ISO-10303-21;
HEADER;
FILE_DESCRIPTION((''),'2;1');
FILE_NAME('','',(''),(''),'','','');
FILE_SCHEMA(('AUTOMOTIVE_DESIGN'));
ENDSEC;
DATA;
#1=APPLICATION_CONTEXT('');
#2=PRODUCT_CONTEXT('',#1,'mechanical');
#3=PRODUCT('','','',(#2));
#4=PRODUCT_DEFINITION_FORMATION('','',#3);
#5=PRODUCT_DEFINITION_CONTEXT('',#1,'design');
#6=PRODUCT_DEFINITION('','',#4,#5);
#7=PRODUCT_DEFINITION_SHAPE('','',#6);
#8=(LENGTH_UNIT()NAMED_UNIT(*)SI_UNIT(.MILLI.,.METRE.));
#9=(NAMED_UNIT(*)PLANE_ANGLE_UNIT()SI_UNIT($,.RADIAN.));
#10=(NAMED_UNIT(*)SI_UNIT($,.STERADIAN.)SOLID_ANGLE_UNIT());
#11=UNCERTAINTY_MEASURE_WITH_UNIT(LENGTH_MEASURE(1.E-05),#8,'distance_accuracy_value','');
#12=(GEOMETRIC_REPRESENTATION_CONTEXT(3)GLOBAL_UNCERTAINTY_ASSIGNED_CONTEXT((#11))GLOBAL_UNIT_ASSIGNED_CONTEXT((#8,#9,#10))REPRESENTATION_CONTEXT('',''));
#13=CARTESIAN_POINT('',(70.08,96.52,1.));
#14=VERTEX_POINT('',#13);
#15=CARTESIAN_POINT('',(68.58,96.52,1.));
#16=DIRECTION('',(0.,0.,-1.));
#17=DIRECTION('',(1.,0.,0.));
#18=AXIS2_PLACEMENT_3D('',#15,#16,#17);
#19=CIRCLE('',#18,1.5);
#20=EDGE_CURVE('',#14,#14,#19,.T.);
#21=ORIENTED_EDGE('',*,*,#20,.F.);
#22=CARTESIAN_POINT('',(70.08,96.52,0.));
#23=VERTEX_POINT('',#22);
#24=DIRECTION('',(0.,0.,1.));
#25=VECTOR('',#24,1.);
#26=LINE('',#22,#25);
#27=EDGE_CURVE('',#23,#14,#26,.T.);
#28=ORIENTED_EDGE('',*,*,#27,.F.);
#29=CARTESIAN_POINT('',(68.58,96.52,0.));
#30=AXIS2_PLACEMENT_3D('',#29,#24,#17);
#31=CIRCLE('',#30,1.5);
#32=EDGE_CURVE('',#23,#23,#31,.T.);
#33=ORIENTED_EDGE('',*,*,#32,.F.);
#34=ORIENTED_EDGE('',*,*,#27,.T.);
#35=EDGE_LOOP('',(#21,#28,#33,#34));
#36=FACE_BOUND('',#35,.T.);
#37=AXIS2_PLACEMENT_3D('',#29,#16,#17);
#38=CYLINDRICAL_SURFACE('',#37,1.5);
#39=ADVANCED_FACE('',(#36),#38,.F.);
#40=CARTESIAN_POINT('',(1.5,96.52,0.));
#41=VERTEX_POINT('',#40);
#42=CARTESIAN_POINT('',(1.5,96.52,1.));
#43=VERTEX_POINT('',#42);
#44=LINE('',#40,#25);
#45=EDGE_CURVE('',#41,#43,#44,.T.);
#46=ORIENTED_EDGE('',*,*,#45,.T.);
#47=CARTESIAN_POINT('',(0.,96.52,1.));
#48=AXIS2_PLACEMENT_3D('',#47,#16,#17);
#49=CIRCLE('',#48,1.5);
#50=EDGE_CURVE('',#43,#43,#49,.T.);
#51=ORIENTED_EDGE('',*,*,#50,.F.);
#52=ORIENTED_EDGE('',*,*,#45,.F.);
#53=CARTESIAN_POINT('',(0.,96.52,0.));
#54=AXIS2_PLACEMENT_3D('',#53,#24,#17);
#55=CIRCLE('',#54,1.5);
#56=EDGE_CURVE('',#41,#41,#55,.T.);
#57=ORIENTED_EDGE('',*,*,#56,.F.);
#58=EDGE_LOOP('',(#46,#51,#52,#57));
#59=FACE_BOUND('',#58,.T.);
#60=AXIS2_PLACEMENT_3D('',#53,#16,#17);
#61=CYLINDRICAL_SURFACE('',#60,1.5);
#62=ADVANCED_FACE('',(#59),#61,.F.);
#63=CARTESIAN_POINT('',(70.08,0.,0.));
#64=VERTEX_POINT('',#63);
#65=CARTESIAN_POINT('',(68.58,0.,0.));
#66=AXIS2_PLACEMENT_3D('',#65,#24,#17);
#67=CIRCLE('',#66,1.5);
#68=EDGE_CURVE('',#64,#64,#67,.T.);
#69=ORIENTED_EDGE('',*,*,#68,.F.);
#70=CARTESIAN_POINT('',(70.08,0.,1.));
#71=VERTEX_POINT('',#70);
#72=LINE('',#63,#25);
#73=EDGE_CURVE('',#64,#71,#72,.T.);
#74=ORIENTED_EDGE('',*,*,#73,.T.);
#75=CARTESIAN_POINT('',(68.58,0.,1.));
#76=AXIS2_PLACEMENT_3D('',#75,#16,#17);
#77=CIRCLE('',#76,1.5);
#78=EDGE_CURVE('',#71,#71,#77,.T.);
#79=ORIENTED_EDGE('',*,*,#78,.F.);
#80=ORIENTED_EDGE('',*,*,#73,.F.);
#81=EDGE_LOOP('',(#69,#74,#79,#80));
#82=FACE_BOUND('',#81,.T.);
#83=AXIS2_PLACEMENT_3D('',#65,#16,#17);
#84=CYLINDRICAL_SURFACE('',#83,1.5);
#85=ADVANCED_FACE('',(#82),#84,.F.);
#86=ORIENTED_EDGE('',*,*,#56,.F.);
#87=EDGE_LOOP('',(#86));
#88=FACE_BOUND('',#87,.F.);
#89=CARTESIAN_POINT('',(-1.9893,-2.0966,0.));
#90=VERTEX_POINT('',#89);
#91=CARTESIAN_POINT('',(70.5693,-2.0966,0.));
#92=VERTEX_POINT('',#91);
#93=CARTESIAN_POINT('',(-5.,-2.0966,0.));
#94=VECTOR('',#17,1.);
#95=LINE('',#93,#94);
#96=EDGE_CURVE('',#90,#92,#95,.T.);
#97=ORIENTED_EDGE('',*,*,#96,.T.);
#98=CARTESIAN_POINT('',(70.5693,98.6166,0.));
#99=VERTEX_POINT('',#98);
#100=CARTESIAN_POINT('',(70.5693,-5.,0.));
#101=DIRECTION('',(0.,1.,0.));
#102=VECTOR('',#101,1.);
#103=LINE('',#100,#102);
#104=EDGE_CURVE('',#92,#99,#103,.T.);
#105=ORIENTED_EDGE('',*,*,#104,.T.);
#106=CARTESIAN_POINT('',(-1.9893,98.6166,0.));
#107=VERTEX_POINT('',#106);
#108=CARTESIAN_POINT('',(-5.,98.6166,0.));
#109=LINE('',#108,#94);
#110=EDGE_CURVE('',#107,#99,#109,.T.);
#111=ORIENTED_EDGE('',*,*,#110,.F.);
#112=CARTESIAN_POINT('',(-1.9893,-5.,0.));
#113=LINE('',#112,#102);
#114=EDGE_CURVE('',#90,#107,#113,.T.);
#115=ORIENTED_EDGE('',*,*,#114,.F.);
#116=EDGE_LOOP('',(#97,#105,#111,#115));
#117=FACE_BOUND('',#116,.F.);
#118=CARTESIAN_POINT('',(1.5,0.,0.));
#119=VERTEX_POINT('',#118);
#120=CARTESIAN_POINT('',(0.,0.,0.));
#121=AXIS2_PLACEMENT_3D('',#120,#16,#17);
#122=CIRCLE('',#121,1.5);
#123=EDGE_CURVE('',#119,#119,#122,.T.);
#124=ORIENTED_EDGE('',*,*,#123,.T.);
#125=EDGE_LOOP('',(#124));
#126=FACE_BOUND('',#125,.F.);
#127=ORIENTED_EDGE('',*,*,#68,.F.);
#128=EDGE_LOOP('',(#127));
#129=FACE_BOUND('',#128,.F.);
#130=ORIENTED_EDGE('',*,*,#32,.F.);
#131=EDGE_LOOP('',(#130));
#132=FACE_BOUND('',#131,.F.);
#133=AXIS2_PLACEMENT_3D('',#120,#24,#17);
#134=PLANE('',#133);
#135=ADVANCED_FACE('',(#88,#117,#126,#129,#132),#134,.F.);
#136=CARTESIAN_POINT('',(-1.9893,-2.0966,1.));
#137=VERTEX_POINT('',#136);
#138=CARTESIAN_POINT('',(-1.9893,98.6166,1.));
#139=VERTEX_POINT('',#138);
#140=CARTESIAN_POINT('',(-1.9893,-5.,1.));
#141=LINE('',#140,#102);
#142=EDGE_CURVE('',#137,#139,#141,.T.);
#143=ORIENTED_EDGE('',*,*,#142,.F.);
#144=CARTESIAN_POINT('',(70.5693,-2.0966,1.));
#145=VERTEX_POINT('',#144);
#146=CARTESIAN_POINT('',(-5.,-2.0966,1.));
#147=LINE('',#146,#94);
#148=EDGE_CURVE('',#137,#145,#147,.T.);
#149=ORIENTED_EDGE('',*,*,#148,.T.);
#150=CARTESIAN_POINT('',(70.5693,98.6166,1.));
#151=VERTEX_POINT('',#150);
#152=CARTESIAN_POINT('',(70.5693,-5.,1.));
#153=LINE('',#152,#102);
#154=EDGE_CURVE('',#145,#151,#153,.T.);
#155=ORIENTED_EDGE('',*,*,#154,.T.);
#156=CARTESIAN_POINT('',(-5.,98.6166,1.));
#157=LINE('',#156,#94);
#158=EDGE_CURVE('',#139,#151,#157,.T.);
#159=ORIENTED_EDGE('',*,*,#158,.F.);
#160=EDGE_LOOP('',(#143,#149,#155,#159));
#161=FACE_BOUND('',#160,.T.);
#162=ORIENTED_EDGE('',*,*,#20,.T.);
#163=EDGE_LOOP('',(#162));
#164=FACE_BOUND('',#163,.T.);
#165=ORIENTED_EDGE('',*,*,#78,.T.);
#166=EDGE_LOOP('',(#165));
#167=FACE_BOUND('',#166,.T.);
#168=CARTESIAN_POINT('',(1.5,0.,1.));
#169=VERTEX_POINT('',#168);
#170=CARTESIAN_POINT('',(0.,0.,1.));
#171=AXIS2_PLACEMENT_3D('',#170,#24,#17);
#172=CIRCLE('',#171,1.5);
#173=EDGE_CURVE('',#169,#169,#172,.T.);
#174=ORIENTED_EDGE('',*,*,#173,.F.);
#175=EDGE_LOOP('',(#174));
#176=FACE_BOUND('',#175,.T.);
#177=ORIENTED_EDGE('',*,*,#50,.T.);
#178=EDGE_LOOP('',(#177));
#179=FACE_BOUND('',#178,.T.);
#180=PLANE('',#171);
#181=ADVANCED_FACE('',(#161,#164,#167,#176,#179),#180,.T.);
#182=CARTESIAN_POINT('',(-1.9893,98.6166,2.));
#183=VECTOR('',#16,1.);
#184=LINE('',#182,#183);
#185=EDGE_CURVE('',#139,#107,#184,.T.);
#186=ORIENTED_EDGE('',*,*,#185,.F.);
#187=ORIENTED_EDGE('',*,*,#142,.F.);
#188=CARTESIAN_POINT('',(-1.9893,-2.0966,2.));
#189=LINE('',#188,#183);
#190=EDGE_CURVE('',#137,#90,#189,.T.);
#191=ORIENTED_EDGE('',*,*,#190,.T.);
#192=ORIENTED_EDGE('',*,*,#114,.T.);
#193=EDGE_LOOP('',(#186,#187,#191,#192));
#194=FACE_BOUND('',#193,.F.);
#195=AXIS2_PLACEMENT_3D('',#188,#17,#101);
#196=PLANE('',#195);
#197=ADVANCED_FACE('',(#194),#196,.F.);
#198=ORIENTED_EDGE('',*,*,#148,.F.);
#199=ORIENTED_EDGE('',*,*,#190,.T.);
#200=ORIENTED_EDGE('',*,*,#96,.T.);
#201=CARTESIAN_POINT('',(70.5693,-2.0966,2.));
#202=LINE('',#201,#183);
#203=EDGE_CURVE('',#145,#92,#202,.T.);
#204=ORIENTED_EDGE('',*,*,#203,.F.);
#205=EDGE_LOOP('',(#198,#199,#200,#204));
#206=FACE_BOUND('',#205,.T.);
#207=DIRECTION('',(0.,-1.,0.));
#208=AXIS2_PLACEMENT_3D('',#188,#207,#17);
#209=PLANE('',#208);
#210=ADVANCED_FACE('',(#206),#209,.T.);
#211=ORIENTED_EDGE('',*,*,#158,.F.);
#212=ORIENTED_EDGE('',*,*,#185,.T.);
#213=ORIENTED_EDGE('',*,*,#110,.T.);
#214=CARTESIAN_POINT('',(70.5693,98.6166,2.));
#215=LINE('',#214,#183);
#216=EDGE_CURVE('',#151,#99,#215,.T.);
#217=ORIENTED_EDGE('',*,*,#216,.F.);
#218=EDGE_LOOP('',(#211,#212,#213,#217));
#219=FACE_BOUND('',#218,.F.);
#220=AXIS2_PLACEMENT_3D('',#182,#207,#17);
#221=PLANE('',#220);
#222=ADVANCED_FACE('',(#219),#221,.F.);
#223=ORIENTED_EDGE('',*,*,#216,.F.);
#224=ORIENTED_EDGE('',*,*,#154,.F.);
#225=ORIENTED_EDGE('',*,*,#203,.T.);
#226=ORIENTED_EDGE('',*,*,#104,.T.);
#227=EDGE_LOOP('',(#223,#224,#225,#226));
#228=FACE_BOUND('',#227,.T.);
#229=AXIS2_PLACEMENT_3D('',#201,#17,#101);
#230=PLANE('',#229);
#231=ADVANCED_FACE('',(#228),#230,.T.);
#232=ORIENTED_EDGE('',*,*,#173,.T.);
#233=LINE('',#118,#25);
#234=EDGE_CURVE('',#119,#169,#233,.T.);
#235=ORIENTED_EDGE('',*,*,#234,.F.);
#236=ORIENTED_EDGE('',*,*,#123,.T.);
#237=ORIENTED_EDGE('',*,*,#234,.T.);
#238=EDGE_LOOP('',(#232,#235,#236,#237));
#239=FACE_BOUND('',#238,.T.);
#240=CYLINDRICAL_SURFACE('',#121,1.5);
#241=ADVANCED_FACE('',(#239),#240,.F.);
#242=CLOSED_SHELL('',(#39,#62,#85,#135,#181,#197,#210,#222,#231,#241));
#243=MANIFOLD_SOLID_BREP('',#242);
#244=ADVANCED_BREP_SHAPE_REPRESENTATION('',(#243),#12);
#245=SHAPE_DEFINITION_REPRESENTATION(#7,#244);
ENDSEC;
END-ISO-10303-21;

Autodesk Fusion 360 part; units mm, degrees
sketch "スケッチ1" plane through (0, 0, 0) normal (0, 0, 1) x (1, 0, 0)
  line L0 (0, 0) -> (68.58, 0)
  line L1 (0, 0) -> (68.58, 0)
  line L2 (68.58, 0) -> (68.58, 96.52)
  line L3 (68.58, 96.52) -> (0, 96.52)
  line L4 (0, 96.52) -> (0, 0)
  circle A0 centre (0, 0) radius 1.5
  circle A1 centre (68.58, 0) radius 1.5
  circle A2 centre (0, 96.52) radius 1.5
  circle A3 centre (68.58, 96.52) radius 1.5
  line L5 (-5, -5) -> (73.58, -5)
  line L6 (73.58, -5) -> (73.58, 101.52)
  line L7 (73.58, 101.52) -> (-5, 101.52)
  line L8 (-5, 101.52) -> (-5, -5)
  dimension "d1" = 68.58
  dimension "d2" = 68.58
  dimension "d3" = 96.52
  dimension "d4" = 3
  dimension "d5" = 3
  dimension "d6" = 3
  dimension "d7" = 3
  dimension "d8" = 78.58
  dimension "d9" = 106.52
extrude "押し出し1" add sketch "スケッチ1" along normal blind 2 contours L0 L1 L2 L3 L4 A0 A1 A2 A3 | L5 L6 L7 L8
sketch "スケッチ2" plane through (0, 0, 2) normal (0, 0, 1) x (-1, 0, 0)
  circle A0 centre (0, 0) radius 1.5
  circle A1 centre (-68.58, -96.52) radius 1.5
  circle A2 centre (0, -96.52) radius 1.5
  circle A3 centre (-68.58, 0) radius 1.5
  line L0 (5, -101.52) -> (5, 5)
  line L1 (5, 5) -> (-73.58, 5)
  line L2 (-73.58, 5) -> (-73.58, -101.52)
  line L3 (-73.58, -101.52) -> (5, -101.52)
  line L4 (5, 2.0966) -> (-73.58, 2.0966)
  line L5 (1.9893, 5) -> (1.9893, -101.52)
  line L6 (-70.5693, 5) -> (-70.5693, -101.52)
  line L7 (5, -98.6166) -> (-73.58, -98.6166)
extrude "押し出し2" cut sketch "スケッチ2" against normal blind 2 contours L0 L3 L5 L7 | L0 L4 L5 L7 | L3 L5 L6 L7 | L0 L1 L4 L5 | L2 L3 L6 L7 | L1 L4 L5 L6 | L2 L4 L6 L7 | L1 L2 L4 L6
extrude "押し出し3" cut 1 faces at (45.4465, 32.5919, 2) along direction (0, 0, -1) blind 1
